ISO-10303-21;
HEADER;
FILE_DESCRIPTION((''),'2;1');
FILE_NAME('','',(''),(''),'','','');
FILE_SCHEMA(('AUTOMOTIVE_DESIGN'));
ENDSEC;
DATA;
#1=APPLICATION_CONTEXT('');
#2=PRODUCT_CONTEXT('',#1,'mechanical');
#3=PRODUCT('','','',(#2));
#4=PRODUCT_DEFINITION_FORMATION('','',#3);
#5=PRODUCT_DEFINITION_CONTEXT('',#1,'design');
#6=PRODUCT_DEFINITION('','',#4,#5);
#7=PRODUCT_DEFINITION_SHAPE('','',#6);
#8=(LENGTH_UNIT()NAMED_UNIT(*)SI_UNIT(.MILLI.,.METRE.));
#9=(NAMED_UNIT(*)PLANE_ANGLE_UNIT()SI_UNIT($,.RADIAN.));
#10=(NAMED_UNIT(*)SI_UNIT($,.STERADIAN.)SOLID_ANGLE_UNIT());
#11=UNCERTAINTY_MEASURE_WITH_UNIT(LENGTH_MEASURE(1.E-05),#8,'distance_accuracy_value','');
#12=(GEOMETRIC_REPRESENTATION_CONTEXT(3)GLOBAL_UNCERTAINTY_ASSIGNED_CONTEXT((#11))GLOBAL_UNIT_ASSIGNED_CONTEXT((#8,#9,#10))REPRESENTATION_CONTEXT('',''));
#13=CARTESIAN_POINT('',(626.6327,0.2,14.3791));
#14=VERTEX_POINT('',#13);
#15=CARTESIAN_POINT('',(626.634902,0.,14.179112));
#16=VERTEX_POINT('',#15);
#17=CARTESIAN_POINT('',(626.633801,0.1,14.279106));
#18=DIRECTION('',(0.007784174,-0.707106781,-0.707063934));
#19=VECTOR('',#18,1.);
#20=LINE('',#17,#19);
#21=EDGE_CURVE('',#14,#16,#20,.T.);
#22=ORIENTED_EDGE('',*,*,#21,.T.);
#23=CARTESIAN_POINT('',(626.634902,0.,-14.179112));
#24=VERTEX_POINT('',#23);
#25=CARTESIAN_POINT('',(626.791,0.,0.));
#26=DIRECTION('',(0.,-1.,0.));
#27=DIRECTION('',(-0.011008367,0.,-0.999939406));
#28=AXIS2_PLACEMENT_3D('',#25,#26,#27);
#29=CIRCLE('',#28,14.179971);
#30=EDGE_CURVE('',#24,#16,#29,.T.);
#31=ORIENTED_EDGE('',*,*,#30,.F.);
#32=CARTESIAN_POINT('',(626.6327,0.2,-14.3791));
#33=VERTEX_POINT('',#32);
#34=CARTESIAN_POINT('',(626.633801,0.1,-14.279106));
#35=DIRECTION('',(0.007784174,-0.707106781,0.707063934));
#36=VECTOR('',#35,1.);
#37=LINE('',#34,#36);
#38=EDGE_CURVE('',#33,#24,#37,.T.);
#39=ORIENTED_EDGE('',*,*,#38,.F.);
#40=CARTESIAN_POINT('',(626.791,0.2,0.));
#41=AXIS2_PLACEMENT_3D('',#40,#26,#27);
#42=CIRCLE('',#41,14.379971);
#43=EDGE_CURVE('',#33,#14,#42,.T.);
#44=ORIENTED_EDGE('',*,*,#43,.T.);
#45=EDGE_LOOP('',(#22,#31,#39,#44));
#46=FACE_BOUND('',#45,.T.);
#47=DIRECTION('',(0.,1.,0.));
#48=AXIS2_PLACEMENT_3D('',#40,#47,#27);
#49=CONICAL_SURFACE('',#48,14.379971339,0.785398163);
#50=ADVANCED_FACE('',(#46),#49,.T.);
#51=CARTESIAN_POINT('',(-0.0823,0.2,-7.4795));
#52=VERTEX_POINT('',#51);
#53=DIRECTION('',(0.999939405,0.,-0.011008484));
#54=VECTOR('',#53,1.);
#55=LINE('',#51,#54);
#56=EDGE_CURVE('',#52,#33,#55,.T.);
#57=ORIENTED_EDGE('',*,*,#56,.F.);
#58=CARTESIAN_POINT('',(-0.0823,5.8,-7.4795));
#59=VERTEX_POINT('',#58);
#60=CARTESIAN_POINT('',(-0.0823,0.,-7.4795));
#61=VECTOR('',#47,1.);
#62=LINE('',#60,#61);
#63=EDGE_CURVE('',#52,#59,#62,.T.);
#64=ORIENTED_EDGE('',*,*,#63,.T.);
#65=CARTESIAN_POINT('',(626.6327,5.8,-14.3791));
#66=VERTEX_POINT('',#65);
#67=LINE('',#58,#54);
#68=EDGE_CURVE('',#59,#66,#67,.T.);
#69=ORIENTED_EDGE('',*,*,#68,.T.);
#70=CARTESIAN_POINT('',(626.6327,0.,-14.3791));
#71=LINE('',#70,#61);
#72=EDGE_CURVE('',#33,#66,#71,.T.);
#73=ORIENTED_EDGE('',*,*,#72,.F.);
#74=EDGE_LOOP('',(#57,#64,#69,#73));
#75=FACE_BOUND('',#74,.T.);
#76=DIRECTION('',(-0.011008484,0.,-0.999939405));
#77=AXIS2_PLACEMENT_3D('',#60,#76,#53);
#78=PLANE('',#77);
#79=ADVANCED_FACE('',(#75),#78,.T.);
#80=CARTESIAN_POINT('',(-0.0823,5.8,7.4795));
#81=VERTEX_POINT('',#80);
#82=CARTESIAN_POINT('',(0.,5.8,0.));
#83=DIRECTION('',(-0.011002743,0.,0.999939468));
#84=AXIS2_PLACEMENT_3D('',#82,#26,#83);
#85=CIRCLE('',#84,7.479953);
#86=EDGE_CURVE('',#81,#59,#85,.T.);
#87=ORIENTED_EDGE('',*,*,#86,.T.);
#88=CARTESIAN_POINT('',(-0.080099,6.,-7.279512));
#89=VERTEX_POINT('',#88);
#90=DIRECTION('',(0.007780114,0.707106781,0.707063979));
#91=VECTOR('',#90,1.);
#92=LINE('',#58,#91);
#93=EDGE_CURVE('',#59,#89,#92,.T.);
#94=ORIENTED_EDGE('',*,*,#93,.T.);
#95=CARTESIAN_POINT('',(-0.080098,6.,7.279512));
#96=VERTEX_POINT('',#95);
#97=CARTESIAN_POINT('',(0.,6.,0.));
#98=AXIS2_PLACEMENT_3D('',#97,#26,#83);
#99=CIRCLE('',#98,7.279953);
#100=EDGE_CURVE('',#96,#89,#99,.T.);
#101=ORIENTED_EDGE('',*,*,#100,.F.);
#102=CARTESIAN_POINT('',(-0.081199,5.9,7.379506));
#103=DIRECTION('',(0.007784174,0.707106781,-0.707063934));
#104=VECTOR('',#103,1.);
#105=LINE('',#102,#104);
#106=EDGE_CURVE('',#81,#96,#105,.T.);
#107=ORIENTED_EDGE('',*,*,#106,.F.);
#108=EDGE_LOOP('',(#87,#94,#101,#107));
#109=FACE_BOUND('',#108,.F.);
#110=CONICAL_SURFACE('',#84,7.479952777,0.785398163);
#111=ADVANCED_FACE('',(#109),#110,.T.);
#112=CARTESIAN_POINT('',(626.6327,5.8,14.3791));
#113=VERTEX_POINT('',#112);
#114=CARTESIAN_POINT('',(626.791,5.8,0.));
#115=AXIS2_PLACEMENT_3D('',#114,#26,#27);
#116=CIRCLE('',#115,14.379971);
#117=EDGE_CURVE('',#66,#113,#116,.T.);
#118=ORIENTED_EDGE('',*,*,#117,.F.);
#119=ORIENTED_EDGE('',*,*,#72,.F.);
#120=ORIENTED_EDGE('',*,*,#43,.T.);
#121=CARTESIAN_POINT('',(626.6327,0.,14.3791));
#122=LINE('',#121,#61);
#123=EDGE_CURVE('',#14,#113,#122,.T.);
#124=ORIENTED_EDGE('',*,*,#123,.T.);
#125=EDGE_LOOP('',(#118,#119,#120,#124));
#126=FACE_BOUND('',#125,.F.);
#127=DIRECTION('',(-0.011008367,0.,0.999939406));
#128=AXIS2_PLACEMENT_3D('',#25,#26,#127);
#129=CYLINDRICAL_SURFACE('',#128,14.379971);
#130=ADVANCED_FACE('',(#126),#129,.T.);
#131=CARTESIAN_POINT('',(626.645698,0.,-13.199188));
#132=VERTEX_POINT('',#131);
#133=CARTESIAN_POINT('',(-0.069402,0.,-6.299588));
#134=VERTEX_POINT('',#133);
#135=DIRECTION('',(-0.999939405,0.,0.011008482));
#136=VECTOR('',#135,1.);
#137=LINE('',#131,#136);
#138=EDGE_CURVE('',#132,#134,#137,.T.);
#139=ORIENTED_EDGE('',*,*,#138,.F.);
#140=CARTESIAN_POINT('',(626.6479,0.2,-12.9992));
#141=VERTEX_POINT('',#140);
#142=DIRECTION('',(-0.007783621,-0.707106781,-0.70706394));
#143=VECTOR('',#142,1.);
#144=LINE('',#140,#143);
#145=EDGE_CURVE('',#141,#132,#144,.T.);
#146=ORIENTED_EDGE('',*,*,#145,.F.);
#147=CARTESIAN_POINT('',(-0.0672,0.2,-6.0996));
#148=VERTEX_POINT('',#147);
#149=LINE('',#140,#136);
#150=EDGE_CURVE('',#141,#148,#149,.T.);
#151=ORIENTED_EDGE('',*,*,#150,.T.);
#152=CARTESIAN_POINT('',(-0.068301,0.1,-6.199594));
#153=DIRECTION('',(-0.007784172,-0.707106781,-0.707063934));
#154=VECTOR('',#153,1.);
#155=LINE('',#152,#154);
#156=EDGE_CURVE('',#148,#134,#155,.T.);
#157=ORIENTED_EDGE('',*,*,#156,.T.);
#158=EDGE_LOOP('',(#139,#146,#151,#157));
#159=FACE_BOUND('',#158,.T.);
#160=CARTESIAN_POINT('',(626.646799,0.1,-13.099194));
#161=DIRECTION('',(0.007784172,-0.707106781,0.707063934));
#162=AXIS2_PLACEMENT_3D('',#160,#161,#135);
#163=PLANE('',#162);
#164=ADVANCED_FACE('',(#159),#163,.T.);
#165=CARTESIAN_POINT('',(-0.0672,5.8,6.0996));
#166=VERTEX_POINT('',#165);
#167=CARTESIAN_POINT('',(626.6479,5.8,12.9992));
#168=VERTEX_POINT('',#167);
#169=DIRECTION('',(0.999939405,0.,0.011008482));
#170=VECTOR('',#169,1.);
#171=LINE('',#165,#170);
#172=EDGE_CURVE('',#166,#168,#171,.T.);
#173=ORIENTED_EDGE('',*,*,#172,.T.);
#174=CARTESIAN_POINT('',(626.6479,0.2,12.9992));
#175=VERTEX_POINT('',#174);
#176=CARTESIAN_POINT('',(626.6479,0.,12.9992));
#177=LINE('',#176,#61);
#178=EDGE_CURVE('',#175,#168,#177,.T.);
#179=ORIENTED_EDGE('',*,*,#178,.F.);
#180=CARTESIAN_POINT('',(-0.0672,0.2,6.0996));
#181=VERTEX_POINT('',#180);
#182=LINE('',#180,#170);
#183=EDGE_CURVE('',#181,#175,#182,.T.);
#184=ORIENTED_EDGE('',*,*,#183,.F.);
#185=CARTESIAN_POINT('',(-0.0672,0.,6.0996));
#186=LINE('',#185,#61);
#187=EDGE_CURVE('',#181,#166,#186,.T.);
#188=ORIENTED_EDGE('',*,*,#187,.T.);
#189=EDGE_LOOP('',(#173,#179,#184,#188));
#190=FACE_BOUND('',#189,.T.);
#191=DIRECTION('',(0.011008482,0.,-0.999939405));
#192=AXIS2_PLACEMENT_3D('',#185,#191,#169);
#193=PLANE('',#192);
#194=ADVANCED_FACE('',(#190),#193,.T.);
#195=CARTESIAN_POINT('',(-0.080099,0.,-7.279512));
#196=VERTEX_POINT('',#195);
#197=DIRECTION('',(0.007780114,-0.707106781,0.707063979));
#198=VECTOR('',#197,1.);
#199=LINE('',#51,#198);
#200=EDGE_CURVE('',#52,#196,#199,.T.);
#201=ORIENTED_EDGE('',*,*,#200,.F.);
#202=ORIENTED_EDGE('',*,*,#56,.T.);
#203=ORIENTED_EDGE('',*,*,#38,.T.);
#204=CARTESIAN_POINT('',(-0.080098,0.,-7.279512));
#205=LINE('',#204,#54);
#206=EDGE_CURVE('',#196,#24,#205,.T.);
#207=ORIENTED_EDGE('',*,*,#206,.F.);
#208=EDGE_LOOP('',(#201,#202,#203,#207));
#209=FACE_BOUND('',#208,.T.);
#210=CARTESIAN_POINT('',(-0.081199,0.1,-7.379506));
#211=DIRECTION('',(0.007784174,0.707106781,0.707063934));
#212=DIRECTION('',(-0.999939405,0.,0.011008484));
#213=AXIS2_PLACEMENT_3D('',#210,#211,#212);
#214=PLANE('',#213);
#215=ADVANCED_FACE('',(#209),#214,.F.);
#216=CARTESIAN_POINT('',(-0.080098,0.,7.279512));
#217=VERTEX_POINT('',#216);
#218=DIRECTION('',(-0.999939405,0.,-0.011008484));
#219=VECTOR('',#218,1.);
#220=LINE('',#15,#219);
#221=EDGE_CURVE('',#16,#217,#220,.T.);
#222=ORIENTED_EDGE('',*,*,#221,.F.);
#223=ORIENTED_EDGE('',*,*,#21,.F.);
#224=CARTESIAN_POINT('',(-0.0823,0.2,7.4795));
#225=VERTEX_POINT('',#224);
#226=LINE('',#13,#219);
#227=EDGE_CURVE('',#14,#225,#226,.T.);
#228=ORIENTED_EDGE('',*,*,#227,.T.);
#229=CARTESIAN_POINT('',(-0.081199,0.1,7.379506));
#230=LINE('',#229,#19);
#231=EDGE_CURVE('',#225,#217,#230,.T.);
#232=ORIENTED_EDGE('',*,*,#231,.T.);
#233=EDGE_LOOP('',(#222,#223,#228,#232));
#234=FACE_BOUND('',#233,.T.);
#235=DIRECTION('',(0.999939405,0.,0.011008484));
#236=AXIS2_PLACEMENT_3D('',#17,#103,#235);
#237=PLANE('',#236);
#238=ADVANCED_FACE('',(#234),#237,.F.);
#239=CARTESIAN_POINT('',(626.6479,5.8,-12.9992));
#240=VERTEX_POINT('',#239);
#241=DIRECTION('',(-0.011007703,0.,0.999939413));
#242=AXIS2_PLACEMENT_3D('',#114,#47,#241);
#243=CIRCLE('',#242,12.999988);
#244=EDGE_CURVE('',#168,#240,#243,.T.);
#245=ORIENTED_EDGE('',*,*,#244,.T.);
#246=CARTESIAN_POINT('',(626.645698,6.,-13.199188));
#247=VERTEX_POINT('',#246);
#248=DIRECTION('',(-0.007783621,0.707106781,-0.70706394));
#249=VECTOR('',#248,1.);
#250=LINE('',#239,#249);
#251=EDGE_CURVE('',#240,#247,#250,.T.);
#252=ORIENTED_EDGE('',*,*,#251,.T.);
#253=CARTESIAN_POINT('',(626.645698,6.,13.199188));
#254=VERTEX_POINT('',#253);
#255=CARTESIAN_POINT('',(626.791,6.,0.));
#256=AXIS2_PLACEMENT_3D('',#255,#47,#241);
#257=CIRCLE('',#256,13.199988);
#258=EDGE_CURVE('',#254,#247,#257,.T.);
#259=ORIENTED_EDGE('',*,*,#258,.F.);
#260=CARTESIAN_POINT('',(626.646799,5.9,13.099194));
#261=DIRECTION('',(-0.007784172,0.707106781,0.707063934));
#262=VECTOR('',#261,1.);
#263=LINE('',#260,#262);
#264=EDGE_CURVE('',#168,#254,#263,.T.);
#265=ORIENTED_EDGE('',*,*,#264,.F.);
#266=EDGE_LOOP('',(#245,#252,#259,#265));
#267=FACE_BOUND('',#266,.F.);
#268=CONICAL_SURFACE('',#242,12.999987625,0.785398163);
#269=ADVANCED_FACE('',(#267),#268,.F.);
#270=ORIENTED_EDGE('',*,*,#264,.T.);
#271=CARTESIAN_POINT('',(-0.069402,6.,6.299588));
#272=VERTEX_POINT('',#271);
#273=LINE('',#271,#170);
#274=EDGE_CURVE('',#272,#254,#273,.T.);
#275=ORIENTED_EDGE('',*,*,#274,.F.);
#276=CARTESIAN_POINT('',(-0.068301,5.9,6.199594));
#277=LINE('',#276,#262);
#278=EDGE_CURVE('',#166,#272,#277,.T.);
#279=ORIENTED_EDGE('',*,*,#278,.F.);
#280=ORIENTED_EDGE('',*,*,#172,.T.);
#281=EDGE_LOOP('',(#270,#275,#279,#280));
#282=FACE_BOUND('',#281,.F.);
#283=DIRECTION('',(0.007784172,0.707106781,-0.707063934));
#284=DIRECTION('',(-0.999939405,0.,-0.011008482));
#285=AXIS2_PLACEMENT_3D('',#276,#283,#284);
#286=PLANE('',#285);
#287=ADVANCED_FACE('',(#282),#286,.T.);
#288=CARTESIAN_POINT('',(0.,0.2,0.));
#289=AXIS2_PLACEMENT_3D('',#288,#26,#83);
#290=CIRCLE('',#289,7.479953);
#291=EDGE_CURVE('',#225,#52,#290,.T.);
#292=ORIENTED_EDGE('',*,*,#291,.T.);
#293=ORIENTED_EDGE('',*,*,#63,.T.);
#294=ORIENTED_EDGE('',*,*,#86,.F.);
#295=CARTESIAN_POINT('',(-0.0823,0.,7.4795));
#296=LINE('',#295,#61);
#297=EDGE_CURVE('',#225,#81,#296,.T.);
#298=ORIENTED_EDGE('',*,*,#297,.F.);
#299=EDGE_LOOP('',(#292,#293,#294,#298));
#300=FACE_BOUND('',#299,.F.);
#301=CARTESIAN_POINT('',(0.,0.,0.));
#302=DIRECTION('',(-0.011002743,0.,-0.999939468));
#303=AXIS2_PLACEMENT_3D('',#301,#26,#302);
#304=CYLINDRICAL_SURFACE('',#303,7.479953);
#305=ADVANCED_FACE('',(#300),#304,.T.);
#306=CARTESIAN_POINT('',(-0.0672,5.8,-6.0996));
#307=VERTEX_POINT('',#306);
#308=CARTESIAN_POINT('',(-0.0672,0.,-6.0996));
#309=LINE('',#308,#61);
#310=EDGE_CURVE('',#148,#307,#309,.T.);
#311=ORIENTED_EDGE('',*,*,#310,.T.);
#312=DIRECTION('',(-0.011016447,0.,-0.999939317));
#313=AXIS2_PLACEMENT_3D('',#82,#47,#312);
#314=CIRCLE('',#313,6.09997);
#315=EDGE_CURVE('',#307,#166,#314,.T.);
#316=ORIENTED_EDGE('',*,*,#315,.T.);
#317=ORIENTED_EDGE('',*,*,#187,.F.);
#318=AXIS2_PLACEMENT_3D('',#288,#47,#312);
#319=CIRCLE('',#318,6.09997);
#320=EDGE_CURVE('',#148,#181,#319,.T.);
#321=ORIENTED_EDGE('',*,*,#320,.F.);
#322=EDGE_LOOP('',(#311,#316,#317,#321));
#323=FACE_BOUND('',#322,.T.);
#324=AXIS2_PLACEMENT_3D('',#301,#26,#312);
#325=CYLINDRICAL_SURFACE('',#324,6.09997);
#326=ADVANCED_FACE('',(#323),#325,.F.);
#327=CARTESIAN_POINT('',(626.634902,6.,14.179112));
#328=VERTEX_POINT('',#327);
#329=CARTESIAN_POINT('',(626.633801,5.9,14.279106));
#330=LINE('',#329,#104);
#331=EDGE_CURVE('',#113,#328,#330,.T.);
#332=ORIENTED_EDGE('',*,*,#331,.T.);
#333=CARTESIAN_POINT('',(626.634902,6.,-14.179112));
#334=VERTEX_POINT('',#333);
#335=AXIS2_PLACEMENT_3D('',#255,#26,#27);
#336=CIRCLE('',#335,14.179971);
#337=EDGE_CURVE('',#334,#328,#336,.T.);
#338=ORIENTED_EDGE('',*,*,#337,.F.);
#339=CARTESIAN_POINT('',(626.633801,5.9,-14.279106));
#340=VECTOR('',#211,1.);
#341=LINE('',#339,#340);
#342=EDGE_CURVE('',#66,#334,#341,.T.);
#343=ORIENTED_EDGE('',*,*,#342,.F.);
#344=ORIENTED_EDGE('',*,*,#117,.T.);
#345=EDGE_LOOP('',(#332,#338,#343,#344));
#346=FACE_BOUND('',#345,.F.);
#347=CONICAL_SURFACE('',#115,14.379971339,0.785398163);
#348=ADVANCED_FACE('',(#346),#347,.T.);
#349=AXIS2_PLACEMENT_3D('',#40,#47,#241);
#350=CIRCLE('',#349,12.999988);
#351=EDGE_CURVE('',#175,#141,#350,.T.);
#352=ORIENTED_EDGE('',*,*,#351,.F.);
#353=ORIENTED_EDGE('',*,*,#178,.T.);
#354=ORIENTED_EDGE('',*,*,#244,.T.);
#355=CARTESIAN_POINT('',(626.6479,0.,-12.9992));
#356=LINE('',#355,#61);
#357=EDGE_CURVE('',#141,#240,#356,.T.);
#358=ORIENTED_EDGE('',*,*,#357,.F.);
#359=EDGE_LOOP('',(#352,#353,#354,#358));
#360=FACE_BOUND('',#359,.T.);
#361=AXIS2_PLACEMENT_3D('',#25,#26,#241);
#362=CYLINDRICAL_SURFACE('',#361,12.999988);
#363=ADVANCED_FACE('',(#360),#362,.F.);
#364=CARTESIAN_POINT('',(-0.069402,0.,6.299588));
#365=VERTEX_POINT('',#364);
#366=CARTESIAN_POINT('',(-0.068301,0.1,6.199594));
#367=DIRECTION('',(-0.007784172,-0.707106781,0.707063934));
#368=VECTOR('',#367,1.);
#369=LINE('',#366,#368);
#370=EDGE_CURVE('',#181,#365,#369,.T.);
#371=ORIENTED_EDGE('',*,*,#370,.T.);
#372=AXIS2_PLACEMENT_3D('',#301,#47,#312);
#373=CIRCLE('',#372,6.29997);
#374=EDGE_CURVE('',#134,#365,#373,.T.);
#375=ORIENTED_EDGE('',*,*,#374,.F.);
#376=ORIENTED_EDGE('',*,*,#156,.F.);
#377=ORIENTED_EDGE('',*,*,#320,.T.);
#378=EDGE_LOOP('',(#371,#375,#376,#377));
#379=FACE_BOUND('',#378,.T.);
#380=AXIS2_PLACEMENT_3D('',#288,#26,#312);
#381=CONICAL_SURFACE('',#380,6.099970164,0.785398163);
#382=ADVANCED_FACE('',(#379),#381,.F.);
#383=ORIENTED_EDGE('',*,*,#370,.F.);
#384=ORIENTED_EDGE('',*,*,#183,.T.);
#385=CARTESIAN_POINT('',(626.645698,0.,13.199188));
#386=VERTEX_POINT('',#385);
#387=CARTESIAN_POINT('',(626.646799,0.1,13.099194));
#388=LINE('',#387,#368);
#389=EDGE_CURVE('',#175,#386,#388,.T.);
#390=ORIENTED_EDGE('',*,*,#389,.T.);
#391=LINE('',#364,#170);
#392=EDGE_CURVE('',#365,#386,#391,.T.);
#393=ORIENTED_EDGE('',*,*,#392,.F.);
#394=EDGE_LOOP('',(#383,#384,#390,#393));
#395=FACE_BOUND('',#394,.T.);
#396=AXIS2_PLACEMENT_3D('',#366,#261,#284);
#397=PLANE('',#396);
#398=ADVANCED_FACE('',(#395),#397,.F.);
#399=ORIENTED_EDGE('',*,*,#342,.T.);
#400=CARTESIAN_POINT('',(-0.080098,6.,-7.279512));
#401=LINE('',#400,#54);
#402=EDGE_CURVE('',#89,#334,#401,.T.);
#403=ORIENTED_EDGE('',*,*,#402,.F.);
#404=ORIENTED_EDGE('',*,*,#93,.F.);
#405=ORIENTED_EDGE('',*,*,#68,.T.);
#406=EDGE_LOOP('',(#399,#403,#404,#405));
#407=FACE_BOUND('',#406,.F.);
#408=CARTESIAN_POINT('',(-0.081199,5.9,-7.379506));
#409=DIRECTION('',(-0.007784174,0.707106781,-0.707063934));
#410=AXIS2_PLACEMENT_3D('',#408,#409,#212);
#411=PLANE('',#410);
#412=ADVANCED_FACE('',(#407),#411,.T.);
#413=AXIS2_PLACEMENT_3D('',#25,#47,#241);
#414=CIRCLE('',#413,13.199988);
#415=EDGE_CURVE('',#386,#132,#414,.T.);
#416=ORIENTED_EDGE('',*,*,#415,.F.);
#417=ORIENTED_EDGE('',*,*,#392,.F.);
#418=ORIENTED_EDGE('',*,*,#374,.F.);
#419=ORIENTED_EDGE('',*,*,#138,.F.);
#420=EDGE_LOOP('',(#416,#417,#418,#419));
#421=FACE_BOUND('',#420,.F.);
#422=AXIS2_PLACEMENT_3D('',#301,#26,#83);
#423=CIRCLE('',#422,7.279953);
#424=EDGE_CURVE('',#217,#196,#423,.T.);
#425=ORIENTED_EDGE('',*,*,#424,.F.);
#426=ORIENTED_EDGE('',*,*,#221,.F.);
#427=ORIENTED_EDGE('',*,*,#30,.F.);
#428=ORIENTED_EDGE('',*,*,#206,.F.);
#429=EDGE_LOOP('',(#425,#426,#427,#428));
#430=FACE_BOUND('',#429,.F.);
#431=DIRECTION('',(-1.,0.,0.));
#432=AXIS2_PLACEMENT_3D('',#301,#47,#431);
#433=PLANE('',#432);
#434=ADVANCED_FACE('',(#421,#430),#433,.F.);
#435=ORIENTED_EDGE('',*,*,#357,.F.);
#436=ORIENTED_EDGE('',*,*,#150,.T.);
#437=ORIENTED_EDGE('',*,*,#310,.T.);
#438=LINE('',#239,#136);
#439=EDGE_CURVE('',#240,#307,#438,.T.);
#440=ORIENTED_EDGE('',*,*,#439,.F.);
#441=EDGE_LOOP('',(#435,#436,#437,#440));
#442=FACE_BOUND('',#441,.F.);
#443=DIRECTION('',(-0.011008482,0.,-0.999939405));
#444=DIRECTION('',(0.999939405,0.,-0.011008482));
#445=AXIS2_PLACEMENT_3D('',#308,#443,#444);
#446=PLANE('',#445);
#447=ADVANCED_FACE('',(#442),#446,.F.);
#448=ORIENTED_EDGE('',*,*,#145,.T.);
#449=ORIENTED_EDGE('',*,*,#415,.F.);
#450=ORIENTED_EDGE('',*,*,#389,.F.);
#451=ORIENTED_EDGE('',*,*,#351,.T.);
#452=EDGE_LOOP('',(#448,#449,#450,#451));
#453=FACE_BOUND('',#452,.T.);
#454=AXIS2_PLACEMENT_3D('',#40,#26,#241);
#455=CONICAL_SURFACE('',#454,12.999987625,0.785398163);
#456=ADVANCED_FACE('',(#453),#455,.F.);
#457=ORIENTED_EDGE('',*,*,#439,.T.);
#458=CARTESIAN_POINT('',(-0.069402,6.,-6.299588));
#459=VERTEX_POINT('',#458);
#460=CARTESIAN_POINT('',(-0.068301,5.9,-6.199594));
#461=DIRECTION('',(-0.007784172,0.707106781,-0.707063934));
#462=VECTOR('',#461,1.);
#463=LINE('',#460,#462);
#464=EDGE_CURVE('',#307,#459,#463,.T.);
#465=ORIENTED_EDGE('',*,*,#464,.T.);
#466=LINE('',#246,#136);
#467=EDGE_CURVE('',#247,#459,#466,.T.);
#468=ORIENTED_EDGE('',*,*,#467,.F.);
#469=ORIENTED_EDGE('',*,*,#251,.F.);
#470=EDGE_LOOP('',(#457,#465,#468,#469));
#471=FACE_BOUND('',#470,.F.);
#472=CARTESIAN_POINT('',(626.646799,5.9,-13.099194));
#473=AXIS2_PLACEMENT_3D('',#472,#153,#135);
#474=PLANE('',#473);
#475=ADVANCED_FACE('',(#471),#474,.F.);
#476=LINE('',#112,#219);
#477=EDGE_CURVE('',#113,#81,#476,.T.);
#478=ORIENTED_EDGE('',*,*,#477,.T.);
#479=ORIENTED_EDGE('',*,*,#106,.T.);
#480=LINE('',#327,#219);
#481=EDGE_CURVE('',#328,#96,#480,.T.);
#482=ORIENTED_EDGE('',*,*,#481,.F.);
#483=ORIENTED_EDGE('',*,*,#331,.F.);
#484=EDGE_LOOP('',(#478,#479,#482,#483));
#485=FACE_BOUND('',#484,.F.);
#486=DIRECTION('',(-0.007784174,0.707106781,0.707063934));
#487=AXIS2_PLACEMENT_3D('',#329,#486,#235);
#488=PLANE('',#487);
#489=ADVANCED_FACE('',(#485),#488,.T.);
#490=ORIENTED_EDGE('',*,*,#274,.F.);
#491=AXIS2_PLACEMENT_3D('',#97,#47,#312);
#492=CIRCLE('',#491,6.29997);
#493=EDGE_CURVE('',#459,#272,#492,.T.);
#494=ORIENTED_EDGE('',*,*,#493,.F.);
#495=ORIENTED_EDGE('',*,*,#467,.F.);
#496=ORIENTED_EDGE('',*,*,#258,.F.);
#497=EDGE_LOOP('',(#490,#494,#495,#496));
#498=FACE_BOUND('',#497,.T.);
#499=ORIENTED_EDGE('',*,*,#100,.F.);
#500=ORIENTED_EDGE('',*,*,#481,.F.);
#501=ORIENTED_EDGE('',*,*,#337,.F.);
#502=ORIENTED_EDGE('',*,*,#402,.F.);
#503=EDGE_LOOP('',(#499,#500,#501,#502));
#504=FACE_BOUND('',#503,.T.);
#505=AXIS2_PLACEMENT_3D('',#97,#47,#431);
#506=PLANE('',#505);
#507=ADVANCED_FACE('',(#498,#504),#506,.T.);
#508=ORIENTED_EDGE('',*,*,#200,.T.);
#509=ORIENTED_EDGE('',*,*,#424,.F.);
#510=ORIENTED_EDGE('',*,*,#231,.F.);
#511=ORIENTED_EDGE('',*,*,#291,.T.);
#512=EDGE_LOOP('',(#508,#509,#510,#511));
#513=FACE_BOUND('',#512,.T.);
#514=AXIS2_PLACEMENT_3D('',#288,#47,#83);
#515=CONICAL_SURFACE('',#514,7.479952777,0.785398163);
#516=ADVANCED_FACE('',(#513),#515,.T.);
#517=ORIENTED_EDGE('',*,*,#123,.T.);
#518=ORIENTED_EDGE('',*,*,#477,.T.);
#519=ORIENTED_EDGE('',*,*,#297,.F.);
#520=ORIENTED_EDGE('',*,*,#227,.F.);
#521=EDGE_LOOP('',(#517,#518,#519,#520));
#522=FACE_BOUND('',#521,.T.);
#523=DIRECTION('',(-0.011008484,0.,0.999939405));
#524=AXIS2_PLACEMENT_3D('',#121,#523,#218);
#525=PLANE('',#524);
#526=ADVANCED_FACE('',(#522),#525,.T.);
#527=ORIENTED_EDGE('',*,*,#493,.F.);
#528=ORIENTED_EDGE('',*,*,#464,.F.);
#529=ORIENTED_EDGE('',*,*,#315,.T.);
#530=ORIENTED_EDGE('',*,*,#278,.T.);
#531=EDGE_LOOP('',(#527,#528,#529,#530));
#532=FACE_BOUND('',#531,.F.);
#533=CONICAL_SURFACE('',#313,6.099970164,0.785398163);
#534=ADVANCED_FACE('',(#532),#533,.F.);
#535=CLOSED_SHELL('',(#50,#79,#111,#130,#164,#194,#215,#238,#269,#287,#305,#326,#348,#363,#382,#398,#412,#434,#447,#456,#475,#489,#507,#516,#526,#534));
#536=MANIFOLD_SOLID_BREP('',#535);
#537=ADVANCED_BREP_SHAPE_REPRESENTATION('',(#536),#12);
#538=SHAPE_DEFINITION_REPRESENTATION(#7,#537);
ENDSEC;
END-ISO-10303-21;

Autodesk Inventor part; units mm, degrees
ref_plane "YZ Plane" through (0, 0, 0) normal (1, 0, 0) x (0, 1, 0)
ref_plane "XZ Plane" through (0, 0, 0) normal (0, 1, 0) x (-1, 0, 0)
ref_plane "XY Plane" through (0, 0, 0) normal (0, 0, 1) x (1, 0, 0)
sketch "Sketch1" plane through (0, 0, 0) normal (0, 1, 0) x (-1, 0, 0)
  line L0 (0.0672, -6.0996) -> (-626.6479, -12.9992)
  line L1 (0.0672, 6.0996) -> (-626.6479, 12.9992)
  arc A0 (0.0672, -6.0996) -> (0.0672, 6.0996) centre (0, 0) ccw
  arc A1 (-626.6479, 12.9992) -> (-626.6479, -12.9992) centre (-626.791, 0) ccw
  line L2 (-626.6327, 14.3791) -> (0.0823, 7.4795)
  arc A2 (0.0823, -7.4795) -> (0.0823, 7.4795) centre (0, 0) ccw
  line L3 (0.0823, -7.4795) -> (-626.6327, -14.3791)
  arc A3 (-626.6327, 14.3791) -> (-626.6327, -14.3791) centre (-626.791, 0) ccw
  dimension "d2" = 6.1
  dimension "d3" = 13
  dimension "d4" = 1.38
  dimension "d5" = 626.791
extrude "Extrusion1" add sketch "Sketch1" along normal blind 6
chamfer "Chamfer1" distance 0.2 angle 45 16 edges at (313.2904, 6, 9.5494) (-6.1, 6, 0) (313.2904, 6, -9.5494) (639.791, 6, 0) (313.2752, 6, 10.9293) (641.171, 6, 0) (313.2752, 6, -10.9293) (-7.48, 6, 0) (313.2752, 0, 10.9293) (-7.48, 0, 0) (313.2752, 0, -10.9293) (641.171, 0, 0) (313.2904, 0, 9.5494) (639.791, 0, 0) (313.2904, 0, -9.5494) (-6.1, 0, 0)
properties part number "x_axis_belt" material "Rubber"
